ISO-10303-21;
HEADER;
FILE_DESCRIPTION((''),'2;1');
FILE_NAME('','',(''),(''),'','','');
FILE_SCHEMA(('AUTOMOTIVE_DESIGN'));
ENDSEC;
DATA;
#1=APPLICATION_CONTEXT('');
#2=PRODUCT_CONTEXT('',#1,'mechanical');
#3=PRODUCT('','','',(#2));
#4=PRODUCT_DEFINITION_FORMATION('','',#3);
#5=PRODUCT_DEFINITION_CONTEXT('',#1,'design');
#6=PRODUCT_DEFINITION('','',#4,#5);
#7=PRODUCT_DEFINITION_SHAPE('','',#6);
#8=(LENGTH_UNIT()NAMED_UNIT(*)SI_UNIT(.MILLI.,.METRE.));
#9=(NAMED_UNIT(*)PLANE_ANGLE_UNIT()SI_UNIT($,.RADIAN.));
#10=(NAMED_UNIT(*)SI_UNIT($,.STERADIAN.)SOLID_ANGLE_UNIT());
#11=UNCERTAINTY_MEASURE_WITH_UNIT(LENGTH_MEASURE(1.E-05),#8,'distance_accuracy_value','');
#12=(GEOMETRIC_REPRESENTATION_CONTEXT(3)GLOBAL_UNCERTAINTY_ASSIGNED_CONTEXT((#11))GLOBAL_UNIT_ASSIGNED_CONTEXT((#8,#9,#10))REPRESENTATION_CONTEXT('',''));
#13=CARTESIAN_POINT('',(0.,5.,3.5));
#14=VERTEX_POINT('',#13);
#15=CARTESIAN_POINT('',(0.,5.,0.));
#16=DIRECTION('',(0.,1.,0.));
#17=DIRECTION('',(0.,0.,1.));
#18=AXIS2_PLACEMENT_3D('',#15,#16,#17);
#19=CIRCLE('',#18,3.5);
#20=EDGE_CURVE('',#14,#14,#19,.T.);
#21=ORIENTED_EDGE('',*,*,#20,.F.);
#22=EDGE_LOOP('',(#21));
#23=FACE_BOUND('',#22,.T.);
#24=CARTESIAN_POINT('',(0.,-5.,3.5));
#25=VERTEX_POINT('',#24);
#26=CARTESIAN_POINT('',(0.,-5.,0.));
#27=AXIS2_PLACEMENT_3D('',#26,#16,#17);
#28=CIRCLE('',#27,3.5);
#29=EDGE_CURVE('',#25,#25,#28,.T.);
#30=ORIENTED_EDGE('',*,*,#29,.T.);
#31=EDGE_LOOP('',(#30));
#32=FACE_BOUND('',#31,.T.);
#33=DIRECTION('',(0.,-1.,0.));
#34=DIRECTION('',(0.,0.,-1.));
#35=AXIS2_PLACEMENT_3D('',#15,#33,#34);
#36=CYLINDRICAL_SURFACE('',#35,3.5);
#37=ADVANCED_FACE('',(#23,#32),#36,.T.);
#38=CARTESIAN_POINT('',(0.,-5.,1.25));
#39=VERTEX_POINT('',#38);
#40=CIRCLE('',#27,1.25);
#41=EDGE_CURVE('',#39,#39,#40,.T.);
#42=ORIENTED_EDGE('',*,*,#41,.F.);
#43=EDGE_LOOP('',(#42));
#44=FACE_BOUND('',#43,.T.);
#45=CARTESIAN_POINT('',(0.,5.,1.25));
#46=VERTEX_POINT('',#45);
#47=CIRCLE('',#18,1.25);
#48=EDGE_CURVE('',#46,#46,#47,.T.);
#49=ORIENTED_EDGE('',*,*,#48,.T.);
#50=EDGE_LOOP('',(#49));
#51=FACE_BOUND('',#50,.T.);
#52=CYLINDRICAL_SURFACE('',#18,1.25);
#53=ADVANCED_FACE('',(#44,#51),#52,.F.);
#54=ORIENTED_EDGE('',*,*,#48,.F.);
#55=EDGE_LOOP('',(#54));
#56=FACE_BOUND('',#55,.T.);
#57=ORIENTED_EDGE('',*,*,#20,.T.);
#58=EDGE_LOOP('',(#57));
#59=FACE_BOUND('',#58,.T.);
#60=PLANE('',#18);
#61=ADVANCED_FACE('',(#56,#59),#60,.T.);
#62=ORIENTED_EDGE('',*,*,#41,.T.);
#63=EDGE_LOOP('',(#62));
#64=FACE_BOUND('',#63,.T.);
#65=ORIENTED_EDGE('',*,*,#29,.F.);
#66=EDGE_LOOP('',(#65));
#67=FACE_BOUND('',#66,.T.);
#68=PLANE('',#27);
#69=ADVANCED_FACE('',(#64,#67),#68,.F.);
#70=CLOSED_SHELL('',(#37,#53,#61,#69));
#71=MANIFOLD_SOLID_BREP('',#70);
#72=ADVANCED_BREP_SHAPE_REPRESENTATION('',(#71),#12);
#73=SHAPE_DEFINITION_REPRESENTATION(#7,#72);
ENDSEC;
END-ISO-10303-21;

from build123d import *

# Parameters (mm, degrees)
SKETCH1_R           = 3.5
SKETCH1_R_2         = 1
BOSS_EXTRUDE1_DEPTH = 5
M3_TAPPED_HOLE1_D   = 2.5


with BuildPart() as part:
    # Sketch1 → Boss-Extrude1 (new body, symmetric)
    with BuildSketch(Plane(origin=(0, 0, 0), x_dir=(1, 0, 0), z_dir=(0, 1, 0))):
        Circle(SKETCH1_R)
        Circle(SKETCH1_R_2, mode=Mode.SUBTRACT)
    extrude(amount=BOSS_EXTRUDE1_DEPTH, both=True)

    # M3 Tapped Hole1 (through all)
    with Locations(Plane(origin=(0, 5, 0), x_dir=(1, 0, 0), z_dir=(0, 1, 0))):
        with Locations((0, 0)):
            Hole(M3_TAPPED_HOLE1_D / 2)


solid = part.part
